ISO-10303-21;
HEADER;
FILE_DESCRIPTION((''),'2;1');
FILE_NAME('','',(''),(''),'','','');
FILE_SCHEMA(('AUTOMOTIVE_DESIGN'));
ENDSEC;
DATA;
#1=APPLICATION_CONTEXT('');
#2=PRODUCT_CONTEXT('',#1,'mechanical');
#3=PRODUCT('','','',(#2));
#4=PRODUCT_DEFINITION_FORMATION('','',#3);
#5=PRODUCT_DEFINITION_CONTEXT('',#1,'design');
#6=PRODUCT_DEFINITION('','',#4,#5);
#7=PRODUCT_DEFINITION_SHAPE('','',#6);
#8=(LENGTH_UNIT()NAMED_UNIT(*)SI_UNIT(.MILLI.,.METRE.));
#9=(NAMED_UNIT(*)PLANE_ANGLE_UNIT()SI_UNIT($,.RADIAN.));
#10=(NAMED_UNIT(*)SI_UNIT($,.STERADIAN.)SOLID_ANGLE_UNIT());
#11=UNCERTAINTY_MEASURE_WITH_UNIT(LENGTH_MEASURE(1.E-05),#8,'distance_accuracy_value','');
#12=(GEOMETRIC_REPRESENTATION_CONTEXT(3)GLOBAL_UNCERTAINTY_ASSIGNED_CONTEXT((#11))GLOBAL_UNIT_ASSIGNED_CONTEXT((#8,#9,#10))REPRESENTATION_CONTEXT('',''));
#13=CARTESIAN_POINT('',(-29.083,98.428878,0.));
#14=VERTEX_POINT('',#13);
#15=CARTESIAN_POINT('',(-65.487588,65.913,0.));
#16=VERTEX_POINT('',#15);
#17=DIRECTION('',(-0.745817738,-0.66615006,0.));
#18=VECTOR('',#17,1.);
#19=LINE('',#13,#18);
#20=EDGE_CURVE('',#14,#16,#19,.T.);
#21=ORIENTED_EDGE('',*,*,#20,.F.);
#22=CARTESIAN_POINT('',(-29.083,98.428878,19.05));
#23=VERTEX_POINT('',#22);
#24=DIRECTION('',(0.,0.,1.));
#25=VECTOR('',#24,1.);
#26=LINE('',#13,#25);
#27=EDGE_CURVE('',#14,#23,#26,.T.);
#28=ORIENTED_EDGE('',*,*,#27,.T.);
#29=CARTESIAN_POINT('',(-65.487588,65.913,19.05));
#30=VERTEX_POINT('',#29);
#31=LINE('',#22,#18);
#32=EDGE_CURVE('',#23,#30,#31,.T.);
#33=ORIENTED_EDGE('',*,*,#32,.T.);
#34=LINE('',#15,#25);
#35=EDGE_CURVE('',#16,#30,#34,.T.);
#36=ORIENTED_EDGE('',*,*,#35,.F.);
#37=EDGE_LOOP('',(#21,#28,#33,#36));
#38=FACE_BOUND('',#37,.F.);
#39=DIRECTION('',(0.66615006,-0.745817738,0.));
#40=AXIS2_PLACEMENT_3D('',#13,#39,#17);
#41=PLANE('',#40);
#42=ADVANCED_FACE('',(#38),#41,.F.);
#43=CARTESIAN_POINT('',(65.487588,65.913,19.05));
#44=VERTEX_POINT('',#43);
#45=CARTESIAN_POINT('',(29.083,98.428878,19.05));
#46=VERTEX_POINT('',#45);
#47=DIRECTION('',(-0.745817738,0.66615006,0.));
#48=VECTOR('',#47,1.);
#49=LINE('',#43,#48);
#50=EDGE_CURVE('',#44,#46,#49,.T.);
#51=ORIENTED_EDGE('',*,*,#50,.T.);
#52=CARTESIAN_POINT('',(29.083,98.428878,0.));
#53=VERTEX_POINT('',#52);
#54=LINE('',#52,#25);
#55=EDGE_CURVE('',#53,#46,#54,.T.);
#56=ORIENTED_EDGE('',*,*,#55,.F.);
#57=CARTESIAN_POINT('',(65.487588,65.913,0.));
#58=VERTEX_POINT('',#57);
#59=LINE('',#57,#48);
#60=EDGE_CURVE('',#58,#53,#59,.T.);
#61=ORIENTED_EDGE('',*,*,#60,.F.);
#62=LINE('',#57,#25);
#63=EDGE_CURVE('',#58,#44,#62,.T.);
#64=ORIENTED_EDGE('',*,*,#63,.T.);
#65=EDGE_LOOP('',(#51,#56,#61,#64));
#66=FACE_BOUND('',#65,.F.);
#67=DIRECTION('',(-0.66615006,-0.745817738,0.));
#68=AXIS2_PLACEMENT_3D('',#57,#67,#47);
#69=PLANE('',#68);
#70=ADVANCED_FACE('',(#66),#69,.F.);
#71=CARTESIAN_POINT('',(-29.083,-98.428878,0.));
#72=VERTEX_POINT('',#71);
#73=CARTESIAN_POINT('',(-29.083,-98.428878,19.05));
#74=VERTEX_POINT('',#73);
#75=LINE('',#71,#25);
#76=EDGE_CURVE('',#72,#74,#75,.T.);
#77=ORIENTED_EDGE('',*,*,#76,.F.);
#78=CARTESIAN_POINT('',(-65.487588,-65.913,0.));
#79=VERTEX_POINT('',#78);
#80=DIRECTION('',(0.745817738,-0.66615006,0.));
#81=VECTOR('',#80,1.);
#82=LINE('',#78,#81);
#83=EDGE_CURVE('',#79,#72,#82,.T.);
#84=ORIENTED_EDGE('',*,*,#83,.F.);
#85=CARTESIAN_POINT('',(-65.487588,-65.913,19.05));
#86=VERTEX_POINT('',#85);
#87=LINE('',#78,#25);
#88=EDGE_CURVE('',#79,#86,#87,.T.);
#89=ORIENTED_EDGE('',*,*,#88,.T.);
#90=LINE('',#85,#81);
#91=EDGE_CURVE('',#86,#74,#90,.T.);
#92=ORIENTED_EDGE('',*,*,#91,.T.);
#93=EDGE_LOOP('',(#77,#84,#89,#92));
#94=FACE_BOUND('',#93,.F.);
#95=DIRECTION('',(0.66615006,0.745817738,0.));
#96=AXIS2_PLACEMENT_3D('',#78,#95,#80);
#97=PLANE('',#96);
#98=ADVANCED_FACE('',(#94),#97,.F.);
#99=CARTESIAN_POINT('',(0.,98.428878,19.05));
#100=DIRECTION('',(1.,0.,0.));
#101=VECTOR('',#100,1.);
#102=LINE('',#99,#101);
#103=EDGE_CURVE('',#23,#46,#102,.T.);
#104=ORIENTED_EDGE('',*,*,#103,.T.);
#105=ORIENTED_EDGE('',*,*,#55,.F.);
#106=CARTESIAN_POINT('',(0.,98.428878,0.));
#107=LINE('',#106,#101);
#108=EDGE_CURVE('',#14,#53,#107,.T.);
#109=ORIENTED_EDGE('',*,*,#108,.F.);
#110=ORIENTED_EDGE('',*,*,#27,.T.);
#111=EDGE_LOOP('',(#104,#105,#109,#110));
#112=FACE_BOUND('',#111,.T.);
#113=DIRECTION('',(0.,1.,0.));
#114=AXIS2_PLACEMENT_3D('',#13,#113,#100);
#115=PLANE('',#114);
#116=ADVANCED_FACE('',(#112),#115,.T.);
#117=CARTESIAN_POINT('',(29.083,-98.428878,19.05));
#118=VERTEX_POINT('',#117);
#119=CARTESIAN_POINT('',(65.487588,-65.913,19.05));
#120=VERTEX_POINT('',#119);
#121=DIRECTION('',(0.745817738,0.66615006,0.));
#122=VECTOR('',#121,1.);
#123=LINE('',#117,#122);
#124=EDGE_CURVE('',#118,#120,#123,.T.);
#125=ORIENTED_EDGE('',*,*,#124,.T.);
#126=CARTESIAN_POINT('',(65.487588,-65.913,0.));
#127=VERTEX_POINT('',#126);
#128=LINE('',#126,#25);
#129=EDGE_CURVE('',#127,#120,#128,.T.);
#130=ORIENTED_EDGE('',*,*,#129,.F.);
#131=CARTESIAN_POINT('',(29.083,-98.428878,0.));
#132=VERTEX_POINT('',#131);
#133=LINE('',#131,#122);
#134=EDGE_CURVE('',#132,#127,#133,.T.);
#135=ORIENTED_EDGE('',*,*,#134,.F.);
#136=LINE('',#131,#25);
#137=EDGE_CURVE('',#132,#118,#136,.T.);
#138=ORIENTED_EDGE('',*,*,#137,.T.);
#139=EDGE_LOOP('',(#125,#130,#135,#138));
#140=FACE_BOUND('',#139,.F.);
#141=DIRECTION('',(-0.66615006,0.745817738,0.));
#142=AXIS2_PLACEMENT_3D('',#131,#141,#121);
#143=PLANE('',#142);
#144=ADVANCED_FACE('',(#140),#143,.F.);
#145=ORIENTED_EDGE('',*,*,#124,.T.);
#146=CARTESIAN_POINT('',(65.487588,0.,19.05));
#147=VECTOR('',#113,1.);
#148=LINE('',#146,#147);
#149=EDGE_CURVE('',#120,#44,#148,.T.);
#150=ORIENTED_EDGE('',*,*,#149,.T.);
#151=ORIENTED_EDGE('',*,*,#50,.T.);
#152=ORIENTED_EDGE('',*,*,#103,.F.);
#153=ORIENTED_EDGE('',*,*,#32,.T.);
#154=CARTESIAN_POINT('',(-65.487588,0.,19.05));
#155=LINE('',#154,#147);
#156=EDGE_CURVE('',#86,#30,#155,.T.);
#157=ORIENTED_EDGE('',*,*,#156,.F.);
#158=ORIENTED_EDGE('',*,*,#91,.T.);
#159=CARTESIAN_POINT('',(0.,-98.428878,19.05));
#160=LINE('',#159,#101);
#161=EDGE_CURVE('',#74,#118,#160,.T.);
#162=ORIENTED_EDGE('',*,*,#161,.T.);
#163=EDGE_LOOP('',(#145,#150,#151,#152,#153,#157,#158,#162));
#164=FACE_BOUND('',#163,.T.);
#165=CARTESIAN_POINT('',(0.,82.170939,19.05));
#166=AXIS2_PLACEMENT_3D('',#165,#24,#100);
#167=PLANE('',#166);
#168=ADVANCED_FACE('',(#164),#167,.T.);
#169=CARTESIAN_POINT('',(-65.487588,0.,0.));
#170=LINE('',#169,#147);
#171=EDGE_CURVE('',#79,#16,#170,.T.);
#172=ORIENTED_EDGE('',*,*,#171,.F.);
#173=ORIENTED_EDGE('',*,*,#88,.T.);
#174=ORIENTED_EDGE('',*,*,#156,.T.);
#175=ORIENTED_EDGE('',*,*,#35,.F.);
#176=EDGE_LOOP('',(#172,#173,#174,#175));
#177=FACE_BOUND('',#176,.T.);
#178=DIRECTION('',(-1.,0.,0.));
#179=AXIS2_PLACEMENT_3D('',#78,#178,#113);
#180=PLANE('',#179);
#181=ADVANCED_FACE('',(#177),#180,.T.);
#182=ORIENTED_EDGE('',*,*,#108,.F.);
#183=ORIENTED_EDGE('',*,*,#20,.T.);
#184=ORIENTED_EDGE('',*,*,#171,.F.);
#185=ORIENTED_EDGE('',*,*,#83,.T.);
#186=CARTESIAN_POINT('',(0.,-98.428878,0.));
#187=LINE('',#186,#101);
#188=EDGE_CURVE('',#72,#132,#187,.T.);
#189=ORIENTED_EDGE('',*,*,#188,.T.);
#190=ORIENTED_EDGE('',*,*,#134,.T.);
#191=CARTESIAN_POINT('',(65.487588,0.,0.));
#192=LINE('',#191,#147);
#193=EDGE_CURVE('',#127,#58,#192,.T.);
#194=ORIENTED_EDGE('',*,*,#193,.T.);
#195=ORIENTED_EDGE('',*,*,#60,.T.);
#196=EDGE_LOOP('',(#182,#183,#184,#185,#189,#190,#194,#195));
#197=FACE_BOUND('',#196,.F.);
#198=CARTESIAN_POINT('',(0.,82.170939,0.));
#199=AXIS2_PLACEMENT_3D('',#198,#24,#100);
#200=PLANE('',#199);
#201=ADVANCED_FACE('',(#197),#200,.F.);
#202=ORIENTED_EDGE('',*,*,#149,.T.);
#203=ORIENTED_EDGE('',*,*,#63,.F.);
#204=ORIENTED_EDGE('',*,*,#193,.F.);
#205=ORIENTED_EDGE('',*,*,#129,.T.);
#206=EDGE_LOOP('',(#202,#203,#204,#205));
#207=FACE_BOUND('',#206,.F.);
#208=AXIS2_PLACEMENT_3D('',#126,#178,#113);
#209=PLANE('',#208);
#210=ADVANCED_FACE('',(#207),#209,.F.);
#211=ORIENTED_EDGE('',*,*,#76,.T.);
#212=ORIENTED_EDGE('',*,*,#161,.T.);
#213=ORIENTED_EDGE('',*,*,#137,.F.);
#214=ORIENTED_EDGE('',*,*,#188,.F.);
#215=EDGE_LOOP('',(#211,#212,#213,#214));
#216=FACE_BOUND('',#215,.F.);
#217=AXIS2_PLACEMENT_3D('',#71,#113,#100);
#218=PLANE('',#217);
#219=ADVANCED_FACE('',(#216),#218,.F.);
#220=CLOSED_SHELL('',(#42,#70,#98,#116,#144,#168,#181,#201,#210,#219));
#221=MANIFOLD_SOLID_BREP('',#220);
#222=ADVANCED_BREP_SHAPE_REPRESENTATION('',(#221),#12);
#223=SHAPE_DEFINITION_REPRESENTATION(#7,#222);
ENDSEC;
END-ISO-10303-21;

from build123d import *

# Parameters (mm, degrees)
F0_W     = 58.166
F0_H     = 32.5158777015
F0_W_2   = 36.404587799
F0_H_2   = 131.826
F1_DEPTH = 19.05


with BuildPart() as f1:
    # F0 (on Top) → F1 (new body)
    with BuildSketch(Plane.XY):
        with Locations((0, 82.1709388507)):
            Rectangle(F0_W, F0_H)
        with Locations((-47.2852938995, 0)):
            Rectangle(F0_W_2, F0_H_2)
        Polygon((-29.083, 65.913), (-29.083, 98.4288777015), (-65.487587799, 65.913), align=None)
        Rectangle(F0_W, F0_H_2)
        with Locations((47.2852938995, 0)):
            Rectangle(F0_W_2, F0_H_2)
        Polygon((65.487587799, 65.913), (29.083, 98.4288777015), (29.083, 65.913), align=None)
        Polygon((65.487587799, -65.913), (29.083, -65.913), (29.083, -98.4288777015), align=None)
        with Locations((0, -82.1709388507)):
            Rectangle(F0_W, F0_H)
        Polygon((-29.083, -98.4288777015), (-29.083, -65.913), (-65.487587799, -65.913), align=None)
    extrude(amount=F1_DEPTH)


solid = f1.part
